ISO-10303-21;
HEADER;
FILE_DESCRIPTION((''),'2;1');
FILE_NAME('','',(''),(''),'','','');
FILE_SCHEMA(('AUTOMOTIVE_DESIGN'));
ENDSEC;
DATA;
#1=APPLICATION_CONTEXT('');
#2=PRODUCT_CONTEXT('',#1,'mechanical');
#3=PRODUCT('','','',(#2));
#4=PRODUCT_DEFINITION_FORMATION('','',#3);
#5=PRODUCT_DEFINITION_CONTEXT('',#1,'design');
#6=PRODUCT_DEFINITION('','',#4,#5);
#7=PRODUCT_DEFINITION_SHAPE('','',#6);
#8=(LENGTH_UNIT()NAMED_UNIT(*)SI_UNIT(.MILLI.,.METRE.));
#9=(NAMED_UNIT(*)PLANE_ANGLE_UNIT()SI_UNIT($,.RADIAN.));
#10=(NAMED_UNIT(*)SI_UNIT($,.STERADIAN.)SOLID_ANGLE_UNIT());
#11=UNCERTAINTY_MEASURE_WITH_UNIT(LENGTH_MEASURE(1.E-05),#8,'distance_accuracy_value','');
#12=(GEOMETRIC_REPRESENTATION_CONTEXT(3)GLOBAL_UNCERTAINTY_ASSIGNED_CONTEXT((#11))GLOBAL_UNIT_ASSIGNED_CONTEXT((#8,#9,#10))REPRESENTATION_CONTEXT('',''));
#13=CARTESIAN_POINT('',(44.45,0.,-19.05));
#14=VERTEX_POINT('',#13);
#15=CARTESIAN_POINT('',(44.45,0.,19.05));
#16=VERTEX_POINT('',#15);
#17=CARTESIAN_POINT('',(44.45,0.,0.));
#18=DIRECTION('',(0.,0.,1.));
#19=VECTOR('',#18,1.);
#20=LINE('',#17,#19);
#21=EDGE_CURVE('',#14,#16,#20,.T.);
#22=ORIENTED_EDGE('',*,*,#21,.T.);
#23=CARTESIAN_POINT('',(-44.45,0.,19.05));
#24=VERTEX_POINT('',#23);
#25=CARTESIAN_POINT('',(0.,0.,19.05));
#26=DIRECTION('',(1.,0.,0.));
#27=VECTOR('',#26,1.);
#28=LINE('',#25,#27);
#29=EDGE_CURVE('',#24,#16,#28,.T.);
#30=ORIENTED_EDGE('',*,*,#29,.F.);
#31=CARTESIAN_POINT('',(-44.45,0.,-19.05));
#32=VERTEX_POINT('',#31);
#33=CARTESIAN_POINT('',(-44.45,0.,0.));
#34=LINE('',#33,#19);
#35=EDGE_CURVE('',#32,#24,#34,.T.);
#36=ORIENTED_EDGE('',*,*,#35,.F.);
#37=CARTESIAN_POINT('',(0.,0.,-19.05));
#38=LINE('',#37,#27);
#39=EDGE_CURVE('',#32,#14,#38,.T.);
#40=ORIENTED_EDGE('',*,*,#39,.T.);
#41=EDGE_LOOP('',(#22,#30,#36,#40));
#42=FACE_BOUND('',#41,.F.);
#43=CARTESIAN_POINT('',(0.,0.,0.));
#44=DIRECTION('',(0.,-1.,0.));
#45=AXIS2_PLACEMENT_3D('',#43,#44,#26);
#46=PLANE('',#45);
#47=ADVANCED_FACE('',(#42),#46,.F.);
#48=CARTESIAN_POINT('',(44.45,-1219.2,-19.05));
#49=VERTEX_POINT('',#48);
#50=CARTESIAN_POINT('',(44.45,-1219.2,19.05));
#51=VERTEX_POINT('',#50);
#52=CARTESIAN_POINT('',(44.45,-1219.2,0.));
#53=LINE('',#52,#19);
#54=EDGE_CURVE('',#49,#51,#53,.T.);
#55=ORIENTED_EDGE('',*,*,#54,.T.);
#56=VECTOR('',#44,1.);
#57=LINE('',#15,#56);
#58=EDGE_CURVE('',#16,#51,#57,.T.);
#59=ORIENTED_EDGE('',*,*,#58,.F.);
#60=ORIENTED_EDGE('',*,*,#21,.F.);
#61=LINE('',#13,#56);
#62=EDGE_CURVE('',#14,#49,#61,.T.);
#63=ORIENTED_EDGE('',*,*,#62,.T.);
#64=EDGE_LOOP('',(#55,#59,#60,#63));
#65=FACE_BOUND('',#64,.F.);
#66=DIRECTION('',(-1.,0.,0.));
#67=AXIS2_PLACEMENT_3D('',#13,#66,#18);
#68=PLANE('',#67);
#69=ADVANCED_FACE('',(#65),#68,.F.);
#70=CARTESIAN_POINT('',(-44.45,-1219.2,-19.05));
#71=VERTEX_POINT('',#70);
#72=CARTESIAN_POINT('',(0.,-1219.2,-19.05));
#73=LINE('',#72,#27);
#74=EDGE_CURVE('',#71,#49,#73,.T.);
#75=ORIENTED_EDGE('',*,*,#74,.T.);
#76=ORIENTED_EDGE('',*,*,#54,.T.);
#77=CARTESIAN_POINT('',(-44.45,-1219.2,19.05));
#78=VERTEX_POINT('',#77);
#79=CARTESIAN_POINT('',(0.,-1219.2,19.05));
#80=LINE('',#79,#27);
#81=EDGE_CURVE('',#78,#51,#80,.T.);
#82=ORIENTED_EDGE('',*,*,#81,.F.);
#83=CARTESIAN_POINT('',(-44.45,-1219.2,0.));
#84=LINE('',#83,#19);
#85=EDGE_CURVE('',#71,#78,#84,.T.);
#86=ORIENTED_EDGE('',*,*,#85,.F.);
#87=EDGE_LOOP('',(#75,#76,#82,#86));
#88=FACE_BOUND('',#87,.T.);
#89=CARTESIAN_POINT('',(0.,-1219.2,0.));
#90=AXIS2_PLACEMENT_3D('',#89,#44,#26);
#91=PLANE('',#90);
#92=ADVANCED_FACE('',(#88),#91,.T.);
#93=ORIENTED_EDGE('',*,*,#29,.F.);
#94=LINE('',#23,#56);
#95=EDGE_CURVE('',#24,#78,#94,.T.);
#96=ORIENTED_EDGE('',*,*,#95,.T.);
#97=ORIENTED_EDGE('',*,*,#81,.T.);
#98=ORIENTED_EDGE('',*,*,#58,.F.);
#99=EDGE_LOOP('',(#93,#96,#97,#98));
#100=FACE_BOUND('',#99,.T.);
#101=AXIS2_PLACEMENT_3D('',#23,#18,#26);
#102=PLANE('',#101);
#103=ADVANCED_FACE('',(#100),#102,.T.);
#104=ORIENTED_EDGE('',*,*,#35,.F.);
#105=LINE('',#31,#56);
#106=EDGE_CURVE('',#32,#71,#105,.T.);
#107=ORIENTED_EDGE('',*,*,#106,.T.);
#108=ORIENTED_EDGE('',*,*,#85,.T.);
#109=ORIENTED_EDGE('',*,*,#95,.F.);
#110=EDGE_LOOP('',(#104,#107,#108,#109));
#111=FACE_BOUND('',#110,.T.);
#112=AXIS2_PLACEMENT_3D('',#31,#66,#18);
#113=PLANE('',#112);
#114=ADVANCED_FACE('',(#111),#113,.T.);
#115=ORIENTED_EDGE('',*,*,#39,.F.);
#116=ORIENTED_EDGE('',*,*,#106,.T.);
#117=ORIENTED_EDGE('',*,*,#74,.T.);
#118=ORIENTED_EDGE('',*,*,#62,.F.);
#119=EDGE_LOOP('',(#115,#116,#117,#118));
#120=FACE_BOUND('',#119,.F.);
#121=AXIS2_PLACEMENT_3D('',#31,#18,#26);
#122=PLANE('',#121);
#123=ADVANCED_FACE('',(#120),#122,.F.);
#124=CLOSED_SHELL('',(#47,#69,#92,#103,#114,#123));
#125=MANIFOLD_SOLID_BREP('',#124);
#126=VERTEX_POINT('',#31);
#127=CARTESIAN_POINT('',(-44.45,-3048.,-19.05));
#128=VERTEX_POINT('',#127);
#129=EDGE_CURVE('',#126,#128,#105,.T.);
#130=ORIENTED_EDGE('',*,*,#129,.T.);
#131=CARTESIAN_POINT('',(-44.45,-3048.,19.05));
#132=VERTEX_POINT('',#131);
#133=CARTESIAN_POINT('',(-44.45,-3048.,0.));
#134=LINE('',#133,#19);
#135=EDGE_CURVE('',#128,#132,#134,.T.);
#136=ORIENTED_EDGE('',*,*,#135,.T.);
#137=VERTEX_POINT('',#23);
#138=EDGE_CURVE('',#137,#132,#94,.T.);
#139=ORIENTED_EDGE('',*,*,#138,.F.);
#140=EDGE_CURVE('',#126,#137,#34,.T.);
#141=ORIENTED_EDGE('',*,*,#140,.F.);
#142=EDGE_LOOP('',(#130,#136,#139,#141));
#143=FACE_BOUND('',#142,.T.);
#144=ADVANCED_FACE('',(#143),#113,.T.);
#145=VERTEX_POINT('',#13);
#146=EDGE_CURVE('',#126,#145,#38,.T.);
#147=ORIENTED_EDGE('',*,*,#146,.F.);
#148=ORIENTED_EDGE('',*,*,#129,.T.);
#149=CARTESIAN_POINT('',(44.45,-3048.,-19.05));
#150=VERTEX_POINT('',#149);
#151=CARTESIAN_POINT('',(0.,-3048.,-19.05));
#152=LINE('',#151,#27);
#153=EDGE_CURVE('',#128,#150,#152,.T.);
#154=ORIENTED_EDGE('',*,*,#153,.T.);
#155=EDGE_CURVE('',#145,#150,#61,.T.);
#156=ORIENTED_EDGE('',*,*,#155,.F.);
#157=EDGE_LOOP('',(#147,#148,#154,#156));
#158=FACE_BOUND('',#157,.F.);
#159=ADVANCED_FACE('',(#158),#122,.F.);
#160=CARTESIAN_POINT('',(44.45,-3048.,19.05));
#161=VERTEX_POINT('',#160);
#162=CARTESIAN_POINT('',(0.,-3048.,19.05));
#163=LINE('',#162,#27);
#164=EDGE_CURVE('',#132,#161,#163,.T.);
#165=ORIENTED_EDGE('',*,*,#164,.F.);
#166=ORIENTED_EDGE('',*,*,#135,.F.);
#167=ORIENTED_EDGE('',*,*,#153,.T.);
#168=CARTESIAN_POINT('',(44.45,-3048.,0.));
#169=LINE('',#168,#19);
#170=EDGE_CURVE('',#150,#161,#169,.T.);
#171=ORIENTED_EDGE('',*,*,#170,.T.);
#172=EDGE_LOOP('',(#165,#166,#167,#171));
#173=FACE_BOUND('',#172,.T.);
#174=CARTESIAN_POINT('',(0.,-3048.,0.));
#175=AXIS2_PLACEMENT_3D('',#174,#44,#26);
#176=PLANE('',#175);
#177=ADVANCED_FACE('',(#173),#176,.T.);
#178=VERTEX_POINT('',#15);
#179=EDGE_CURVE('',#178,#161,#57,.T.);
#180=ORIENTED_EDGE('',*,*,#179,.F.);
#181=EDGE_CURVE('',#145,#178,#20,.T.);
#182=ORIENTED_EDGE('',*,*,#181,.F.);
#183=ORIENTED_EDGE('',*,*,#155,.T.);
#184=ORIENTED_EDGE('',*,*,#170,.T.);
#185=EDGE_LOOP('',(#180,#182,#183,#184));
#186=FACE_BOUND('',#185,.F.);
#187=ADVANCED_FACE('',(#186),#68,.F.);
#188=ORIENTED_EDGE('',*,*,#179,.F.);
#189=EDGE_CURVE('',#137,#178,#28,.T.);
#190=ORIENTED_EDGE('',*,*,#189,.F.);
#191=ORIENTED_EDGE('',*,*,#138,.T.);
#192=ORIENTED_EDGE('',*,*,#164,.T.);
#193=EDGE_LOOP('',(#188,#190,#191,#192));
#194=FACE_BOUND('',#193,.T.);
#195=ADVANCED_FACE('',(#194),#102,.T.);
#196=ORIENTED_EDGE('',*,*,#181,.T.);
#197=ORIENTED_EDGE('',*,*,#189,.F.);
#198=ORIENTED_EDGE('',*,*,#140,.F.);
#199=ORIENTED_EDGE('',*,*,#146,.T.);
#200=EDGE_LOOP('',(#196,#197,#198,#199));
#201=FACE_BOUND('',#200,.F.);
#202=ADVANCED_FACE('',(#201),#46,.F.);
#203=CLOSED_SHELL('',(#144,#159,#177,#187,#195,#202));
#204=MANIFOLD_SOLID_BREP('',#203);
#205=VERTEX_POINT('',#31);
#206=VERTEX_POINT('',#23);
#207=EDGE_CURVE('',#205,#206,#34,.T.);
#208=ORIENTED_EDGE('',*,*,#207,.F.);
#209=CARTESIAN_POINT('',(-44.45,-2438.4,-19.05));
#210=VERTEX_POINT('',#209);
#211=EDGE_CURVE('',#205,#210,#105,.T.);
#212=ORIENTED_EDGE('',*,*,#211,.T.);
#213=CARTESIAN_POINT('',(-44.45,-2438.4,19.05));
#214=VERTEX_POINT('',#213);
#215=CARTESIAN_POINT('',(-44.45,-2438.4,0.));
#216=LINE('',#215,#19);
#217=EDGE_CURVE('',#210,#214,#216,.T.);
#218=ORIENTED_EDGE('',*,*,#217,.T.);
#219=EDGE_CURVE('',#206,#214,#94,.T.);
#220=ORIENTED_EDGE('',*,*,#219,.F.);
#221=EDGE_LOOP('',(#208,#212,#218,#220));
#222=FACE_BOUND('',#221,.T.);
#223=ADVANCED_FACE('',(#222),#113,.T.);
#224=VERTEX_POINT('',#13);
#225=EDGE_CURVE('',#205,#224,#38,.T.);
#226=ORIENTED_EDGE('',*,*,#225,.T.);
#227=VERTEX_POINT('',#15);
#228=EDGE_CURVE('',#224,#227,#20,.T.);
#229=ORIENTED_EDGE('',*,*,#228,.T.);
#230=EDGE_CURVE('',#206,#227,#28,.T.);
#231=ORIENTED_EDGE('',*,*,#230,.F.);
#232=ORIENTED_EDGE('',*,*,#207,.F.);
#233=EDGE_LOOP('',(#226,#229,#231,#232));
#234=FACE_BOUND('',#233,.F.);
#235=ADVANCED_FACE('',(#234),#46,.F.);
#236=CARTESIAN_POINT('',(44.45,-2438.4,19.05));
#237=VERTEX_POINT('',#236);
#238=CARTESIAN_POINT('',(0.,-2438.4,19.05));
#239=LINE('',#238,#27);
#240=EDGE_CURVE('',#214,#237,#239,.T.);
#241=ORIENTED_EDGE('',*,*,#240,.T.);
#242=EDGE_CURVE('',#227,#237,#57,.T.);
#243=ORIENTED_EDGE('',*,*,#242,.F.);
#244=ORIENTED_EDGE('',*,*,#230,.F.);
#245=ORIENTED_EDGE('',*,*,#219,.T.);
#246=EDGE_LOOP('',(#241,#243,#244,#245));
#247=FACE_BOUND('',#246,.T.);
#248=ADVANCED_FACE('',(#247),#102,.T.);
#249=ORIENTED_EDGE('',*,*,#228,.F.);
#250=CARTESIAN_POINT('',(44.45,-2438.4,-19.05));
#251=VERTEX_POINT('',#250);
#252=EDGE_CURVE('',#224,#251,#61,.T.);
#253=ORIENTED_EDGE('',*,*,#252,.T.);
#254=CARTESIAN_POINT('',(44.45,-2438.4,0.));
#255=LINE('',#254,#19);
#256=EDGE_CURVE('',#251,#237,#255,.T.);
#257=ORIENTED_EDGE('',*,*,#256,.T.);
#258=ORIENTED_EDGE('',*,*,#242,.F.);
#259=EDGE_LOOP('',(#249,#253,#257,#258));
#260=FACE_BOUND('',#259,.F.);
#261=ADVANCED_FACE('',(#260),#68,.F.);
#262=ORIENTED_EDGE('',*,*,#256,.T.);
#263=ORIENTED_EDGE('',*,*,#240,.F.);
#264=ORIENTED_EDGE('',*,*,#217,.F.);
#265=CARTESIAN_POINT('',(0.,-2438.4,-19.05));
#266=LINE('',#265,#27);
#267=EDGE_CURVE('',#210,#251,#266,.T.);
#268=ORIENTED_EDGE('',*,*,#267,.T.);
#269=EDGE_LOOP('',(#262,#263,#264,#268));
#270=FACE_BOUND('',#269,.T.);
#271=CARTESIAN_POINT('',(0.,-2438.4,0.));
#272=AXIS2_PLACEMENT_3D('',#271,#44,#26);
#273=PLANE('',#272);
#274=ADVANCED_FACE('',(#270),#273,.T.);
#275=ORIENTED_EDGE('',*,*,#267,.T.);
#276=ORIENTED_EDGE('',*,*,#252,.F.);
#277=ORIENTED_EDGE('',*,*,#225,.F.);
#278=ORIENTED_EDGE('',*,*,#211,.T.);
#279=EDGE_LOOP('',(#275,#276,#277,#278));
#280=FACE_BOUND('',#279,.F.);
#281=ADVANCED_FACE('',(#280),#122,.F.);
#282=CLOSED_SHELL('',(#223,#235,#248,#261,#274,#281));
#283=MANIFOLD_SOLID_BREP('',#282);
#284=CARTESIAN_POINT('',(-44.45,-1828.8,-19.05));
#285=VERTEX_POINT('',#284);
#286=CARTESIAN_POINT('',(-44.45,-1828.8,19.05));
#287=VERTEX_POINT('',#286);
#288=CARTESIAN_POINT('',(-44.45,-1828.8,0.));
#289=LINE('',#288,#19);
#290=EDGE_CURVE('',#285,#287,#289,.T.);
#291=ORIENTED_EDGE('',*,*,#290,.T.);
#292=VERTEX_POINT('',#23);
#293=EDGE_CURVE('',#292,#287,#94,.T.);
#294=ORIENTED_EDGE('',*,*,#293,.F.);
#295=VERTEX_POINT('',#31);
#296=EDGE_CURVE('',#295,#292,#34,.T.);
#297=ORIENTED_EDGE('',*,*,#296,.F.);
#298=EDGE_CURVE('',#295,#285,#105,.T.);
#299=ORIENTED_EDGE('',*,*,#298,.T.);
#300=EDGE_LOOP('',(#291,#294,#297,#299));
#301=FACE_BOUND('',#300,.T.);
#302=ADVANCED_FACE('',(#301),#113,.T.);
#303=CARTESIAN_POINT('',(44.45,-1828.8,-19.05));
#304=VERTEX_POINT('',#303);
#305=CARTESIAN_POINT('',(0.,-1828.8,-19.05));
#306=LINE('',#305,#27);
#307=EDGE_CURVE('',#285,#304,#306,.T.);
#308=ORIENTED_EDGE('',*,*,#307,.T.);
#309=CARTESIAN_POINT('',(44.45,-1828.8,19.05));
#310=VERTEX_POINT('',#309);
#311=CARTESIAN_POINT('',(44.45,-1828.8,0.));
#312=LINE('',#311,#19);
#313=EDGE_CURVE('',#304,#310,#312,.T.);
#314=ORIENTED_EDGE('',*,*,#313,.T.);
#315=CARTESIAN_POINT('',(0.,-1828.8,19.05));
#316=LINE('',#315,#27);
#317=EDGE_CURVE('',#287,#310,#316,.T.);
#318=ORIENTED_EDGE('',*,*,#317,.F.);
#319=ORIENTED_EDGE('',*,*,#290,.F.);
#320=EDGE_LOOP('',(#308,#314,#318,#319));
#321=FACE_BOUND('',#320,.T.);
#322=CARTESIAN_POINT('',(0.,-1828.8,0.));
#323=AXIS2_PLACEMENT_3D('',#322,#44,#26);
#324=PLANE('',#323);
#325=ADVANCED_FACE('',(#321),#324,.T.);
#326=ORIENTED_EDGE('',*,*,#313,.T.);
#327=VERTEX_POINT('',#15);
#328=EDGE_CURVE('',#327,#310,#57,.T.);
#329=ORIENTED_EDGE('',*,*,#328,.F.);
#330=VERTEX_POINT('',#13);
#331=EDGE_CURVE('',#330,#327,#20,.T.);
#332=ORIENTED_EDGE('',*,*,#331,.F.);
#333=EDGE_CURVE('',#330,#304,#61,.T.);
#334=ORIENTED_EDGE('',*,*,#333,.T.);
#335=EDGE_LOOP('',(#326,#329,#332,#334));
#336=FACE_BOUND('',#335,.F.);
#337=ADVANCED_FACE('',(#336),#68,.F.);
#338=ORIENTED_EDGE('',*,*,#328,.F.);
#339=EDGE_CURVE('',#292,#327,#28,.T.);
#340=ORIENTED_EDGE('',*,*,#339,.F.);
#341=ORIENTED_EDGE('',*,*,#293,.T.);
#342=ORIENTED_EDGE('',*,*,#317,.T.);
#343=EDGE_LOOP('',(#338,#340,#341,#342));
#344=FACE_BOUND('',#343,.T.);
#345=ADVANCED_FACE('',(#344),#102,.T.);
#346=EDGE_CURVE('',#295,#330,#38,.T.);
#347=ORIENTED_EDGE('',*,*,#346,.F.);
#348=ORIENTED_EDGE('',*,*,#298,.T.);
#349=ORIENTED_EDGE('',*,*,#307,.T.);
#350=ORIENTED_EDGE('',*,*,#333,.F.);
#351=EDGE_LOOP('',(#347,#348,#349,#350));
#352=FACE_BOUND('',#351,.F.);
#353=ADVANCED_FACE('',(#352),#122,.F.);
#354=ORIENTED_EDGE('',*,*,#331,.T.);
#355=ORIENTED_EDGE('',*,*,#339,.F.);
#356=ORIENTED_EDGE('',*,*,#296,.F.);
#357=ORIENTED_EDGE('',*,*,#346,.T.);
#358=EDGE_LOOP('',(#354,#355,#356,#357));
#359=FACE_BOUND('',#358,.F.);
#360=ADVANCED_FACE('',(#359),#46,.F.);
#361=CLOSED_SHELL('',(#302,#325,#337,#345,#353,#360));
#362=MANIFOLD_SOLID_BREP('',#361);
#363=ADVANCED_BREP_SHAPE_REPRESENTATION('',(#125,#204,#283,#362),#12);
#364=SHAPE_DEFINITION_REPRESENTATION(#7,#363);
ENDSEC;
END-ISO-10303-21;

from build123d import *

# Parameters (mm, degrees)
F0_W     = 88.9
F0_H     = 38.1
F1_DEPTH = 2438.4
F2_DEPTH = 3048
F3_DEPTH = 1828.8
F4_DEPTH = 1219.2


with BuildPart() as f1:
    # F0 (on Front) → F1 (new body)
    with BuildSketch(Plane.XZ):
        Rectangle(F0_W, F0_H)
    extrude(amount=F1_DEPTH)


with BuildPart() as f2:
    # F0 (on Front) → F2 (new body)
    with BuildSketch(Plane.XZ):
        Rectangle(F0_W, F0_H)
    extrude(amount=F2_DEPTH)


with BuildPart() as f3:
    # F0 (on Front) → F3 (new body)
    with BuildSketch(Plane.XZ):
        Rectangle(F0_W, F0_H)
    extrude(amount=F3_DEPTH)


with BuildPart() as f4:
    # F0 (on Front) → F4 (new body)
    with BuildSketch(Plane.XZ):
        Rectangle(F0_W, F0_H)
    extrude(amount=F4_DEPTH)


solid = Compound([f1.part, f2.part, f3.part, f4.part])
